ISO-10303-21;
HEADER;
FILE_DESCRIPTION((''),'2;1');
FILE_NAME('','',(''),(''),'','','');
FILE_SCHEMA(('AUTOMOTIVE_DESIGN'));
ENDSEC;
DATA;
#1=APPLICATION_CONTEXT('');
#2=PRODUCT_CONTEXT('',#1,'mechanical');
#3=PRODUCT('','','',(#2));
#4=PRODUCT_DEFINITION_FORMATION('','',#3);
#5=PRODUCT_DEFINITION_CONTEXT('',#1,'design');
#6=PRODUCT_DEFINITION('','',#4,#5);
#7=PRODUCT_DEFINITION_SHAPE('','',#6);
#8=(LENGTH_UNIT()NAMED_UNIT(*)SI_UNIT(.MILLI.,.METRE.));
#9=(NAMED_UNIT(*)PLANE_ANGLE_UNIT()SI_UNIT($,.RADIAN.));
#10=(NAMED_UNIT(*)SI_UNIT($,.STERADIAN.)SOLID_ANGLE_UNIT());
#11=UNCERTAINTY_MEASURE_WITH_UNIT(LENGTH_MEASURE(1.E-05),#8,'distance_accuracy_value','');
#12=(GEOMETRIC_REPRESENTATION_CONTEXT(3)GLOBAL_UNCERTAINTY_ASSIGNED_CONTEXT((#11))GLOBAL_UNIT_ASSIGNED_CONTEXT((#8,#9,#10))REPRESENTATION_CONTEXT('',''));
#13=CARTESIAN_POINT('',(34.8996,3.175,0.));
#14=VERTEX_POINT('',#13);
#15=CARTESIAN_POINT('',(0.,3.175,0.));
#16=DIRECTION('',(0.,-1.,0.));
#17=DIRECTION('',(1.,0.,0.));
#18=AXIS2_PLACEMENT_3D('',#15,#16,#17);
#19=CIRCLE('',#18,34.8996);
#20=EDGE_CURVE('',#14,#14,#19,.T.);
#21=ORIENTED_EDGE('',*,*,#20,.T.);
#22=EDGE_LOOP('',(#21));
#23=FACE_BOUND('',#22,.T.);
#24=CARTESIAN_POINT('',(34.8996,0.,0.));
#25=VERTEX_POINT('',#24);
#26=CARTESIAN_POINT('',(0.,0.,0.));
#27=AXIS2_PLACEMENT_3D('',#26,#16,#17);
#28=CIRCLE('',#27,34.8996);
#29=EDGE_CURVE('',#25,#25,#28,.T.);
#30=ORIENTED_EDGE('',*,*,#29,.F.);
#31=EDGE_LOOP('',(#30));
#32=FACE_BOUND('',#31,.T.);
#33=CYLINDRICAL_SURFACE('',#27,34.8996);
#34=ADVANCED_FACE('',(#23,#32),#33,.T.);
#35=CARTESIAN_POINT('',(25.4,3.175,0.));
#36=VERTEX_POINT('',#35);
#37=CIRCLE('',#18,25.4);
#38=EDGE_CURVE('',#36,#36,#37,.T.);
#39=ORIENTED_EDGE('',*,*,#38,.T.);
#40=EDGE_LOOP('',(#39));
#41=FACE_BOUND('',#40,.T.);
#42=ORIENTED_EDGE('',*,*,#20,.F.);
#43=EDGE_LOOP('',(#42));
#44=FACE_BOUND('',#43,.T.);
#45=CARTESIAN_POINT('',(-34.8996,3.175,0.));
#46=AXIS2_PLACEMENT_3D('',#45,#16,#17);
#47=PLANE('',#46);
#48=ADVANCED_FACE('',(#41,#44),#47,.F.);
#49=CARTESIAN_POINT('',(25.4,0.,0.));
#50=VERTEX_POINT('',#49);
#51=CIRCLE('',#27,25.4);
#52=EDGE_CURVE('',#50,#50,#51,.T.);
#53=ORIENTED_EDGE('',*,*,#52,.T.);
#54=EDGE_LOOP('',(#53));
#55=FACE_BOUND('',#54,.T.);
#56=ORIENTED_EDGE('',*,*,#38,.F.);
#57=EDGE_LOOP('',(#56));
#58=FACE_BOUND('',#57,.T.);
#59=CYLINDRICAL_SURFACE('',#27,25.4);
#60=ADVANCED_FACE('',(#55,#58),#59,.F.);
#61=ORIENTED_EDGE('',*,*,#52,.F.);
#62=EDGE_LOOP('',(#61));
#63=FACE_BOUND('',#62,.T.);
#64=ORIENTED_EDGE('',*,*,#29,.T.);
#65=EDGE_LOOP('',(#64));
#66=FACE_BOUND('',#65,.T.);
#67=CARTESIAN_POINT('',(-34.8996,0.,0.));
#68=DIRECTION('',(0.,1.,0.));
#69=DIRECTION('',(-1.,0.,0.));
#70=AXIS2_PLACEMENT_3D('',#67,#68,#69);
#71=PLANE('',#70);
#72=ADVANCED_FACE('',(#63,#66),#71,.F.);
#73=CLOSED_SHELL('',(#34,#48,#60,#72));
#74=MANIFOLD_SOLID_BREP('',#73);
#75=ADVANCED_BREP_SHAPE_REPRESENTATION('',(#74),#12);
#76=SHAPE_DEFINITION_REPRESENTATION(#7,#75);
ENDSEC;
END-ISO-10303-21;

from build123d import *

# Parameters (mm, degrees)
SKETCH1_W = 9.4996
SKETCH1_H = 3.175


with BuildPart() as part:
    # Sketch1 → Revolve1 (revolve)
    with BuildSketch(Plane.XY):
        with Locations((-30.1498, 1.5875)):
            Rectangle(SKETCH1_W, SKETCH1_H)
    revolve(axis=Axis((0, 0, 0), (0, 1, 0)))


solid = part.part
